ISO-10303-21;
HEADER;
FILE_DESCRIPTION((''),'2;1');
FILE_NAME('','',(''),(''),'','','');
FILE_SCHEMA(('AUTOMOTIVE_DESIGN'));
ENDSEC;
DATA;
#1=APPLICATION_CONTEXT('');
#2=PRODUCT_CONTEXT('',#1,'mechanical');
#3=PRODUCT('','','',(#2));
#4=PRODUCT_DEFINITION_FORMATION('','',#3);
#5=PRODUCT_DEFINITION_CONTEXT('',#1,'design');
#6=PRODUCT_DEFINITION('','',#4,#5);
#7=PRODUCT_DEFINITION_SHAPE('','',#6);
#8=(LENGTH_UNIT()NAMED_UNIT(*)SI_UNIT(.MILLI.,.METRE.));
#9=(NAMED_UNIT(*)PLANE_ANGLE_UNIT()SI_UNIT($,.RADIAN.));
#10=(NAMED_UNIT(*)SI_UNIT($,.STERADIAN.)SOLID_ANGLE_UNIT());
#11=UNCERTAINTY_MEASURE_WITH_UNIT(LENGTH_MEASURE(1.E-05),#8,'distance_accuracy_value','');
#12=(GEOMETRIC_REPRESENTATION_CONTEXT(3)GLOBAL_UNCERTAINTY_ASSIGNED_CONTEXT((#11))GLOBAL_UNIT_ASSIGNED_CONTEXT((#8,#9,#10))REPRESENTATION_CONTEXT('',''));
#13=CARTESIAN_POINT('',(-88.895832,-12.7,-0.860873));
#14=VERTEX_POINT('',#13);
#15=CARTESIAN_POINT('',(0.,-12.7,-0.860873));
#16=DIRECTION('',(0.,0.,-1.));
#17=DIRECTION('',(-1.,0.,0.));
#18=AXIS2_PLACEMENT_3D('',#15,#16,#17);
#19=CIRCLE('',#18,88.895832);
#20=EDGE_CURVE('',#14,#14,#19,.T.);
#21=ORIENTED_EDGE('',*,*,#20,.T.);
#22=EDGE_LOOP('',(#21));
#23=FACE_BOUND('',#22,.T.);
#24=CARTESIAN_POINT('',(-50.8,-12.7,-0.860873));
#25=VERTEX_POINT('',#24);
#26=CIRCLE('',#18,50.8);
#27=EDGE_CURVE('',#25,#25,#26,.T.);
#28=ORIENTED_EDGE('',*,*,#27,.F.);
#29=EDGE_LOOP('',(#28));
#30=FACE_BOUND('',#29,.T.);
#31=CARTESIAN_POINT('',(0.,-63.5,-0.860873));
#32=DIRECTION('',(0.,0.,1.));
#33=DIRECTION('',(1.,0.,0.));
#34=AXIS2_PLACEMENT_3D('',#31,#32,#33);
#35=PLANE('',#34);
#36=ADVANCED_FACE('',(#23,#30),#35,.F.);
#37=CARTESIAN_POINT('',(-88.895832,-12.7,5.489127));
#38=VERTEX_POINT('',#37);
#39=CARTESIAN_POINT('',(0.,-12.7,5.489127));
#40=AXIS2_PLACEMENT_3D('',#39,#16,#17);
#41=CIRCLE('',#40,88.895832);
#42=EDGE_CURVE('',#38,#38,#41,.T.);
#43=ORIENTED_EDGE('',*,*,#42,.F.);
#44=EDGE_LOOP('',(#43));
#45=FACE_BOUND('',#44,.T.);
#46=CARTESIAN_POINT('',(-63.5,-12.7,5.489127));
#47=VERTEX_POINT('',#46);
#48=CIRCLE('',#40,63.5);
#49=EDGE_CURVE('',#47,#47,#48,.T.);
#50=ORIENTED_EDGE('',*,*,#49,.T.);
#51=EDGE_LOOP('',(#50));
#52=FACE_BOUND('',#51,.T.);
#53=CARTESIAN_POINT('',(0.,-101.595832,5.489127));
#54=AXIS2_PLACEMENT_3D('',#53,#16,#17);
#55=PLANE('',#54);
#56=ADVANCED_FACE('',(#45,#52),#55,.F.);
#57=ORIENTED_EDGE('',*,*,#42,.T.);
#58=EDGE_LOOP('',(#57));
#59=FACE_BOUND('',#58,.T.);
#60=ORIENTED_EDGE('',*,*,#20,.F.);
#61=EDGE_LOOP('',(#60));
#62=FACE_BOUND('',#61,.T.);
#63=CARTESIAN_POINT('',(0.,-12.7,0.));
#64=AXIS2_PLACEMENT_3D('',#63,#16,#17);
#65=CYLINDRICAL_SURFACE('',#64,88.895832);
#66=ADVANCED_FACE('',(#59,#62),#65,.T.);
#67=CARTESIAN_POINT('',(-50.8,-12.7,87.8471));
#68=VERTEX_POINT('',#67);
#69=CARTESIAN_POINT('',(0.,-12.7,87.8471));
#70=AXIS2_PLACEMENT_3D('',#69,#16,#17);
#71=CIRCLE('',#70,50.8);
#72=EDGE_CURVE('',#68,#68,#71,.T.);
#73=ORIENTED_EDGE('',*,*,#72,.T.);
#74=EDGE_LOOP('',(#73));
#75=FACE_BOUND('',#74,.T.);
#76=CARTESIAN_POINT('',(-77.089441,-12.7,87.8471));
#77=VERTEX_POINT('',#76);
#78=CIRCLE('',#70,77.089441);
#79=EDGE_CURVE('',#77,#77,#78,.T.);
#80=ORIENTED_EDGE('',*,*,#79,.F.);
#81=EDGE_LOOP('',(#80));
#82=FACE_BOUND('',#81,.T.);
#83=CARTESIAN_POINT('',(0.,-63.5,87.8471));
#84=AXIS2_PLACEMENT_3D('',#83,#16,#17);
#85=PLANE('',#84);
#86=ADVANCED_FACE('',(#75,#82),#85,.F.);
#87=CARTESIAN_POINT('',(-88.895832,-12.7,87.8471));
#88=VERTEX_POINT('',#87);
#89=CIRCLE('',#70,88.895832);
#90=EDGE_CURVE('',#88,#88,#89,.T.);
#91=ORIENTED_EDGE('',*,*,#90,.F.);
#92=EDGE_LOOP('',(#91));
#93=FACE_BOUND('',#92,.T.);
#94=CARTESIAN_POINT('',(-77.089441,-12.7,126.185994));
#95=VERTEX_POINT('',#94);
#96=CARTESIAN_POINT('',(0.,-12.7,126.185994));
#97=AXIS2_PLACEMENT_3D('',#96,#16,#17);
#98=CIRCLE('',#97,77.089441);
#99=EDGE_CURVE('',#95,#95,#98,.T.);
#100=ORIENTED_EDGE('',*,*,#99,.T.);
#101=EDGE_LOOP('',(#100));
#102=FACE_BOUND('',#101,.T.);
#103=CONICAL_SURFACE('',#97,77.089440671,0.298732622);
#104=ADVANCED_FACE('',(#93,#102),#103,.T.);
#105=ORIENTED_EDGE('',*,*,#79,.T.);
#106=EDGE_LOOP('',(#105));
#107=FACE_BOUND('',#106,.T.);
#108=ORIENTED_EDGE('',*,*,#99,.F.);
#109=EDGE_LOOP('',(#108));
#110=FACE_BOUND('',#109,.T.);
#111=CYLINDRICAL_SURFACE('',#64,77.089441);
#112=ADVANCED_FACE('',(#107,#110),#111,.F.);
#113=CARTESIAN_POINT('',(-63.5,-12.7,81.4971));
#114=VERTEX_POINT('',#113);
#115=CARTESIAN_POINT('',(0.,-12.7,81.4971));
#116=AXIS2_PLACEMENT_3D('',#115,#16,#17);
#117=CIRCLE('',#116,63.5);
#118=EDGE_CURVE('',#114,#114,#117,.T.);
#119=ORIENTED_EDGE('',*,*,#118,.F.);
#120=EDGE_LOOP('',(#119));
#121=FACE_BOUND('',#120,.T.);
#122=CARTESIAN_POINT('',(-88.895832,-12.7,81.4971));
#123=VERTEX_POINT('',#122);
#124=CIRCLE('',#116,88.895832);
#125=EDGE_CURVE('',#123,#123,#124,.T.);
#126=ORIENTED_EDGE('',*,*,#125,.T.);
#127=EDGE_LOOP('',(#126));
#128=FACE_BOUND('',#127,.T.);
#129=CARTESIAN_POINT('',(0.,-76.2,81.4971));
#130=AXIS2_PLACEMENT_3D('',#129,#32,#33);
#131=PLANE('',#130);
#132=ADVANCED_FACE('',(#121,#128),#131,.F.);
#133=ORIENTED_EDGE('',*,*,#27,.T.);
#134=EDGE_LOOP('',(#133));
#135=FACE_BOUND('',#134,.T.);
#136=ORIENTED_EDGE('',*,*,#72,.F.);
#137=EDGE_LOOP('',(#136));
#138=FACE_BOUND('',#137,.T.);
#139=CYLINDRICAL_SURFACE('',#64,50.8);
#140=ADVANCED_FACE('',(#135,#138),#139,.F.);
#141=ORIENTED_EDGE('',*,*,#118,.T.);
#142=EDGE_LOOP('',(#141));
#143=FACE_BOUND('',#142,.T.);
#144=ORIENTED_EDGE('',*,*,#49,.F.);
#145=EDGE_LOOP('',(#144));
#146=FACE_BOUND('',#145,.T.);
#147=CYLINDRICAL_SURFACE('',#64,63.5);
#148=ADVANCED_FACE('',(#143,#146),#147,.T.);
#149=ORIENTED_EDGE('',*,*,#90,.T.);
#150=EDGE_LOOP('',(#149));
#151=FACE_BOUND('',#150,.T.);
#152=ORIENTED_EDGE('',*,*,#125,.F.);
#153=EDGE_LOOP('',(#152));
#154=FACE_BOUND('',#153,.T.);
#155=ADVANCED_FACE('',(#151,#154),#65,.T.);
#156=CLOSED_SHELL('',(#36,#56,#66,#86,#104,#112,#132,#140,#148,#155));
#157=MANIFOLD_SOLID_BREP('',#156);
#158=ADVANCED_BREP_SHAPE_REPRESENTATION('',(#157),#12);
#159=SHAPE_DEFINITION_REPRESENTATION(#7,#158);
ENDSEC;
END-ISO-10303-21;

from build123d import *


with BuildPart() as part:
    # Sketch1 → Revolve1 (revolve)
    with BuildSketch(Plane.YZ, mode=Mode.PRIVATE) as revolve1_sk:
        Polygon((-63.5, -0.860872912), (-101.595831724, -0.860872912), (-101.595831724, 5.489127088), (-76.2, 5.489127088), (-76.2, 81.497100008), (-101.595831724, 81.497100008), (-101.595831724, 87.847100008), (-89.789440671, 126.185993668), (-89.789440671, 87.847100008), (-63.5, 87.847100008), align=None)
    revolve(revolve1_sk.sketch.rotate(Axis((0, -12.7, 0), (0, 0, 1)), 270), axis=Axis((0, -12.7, 0), (0, 0, 1)))


solid = part.part
